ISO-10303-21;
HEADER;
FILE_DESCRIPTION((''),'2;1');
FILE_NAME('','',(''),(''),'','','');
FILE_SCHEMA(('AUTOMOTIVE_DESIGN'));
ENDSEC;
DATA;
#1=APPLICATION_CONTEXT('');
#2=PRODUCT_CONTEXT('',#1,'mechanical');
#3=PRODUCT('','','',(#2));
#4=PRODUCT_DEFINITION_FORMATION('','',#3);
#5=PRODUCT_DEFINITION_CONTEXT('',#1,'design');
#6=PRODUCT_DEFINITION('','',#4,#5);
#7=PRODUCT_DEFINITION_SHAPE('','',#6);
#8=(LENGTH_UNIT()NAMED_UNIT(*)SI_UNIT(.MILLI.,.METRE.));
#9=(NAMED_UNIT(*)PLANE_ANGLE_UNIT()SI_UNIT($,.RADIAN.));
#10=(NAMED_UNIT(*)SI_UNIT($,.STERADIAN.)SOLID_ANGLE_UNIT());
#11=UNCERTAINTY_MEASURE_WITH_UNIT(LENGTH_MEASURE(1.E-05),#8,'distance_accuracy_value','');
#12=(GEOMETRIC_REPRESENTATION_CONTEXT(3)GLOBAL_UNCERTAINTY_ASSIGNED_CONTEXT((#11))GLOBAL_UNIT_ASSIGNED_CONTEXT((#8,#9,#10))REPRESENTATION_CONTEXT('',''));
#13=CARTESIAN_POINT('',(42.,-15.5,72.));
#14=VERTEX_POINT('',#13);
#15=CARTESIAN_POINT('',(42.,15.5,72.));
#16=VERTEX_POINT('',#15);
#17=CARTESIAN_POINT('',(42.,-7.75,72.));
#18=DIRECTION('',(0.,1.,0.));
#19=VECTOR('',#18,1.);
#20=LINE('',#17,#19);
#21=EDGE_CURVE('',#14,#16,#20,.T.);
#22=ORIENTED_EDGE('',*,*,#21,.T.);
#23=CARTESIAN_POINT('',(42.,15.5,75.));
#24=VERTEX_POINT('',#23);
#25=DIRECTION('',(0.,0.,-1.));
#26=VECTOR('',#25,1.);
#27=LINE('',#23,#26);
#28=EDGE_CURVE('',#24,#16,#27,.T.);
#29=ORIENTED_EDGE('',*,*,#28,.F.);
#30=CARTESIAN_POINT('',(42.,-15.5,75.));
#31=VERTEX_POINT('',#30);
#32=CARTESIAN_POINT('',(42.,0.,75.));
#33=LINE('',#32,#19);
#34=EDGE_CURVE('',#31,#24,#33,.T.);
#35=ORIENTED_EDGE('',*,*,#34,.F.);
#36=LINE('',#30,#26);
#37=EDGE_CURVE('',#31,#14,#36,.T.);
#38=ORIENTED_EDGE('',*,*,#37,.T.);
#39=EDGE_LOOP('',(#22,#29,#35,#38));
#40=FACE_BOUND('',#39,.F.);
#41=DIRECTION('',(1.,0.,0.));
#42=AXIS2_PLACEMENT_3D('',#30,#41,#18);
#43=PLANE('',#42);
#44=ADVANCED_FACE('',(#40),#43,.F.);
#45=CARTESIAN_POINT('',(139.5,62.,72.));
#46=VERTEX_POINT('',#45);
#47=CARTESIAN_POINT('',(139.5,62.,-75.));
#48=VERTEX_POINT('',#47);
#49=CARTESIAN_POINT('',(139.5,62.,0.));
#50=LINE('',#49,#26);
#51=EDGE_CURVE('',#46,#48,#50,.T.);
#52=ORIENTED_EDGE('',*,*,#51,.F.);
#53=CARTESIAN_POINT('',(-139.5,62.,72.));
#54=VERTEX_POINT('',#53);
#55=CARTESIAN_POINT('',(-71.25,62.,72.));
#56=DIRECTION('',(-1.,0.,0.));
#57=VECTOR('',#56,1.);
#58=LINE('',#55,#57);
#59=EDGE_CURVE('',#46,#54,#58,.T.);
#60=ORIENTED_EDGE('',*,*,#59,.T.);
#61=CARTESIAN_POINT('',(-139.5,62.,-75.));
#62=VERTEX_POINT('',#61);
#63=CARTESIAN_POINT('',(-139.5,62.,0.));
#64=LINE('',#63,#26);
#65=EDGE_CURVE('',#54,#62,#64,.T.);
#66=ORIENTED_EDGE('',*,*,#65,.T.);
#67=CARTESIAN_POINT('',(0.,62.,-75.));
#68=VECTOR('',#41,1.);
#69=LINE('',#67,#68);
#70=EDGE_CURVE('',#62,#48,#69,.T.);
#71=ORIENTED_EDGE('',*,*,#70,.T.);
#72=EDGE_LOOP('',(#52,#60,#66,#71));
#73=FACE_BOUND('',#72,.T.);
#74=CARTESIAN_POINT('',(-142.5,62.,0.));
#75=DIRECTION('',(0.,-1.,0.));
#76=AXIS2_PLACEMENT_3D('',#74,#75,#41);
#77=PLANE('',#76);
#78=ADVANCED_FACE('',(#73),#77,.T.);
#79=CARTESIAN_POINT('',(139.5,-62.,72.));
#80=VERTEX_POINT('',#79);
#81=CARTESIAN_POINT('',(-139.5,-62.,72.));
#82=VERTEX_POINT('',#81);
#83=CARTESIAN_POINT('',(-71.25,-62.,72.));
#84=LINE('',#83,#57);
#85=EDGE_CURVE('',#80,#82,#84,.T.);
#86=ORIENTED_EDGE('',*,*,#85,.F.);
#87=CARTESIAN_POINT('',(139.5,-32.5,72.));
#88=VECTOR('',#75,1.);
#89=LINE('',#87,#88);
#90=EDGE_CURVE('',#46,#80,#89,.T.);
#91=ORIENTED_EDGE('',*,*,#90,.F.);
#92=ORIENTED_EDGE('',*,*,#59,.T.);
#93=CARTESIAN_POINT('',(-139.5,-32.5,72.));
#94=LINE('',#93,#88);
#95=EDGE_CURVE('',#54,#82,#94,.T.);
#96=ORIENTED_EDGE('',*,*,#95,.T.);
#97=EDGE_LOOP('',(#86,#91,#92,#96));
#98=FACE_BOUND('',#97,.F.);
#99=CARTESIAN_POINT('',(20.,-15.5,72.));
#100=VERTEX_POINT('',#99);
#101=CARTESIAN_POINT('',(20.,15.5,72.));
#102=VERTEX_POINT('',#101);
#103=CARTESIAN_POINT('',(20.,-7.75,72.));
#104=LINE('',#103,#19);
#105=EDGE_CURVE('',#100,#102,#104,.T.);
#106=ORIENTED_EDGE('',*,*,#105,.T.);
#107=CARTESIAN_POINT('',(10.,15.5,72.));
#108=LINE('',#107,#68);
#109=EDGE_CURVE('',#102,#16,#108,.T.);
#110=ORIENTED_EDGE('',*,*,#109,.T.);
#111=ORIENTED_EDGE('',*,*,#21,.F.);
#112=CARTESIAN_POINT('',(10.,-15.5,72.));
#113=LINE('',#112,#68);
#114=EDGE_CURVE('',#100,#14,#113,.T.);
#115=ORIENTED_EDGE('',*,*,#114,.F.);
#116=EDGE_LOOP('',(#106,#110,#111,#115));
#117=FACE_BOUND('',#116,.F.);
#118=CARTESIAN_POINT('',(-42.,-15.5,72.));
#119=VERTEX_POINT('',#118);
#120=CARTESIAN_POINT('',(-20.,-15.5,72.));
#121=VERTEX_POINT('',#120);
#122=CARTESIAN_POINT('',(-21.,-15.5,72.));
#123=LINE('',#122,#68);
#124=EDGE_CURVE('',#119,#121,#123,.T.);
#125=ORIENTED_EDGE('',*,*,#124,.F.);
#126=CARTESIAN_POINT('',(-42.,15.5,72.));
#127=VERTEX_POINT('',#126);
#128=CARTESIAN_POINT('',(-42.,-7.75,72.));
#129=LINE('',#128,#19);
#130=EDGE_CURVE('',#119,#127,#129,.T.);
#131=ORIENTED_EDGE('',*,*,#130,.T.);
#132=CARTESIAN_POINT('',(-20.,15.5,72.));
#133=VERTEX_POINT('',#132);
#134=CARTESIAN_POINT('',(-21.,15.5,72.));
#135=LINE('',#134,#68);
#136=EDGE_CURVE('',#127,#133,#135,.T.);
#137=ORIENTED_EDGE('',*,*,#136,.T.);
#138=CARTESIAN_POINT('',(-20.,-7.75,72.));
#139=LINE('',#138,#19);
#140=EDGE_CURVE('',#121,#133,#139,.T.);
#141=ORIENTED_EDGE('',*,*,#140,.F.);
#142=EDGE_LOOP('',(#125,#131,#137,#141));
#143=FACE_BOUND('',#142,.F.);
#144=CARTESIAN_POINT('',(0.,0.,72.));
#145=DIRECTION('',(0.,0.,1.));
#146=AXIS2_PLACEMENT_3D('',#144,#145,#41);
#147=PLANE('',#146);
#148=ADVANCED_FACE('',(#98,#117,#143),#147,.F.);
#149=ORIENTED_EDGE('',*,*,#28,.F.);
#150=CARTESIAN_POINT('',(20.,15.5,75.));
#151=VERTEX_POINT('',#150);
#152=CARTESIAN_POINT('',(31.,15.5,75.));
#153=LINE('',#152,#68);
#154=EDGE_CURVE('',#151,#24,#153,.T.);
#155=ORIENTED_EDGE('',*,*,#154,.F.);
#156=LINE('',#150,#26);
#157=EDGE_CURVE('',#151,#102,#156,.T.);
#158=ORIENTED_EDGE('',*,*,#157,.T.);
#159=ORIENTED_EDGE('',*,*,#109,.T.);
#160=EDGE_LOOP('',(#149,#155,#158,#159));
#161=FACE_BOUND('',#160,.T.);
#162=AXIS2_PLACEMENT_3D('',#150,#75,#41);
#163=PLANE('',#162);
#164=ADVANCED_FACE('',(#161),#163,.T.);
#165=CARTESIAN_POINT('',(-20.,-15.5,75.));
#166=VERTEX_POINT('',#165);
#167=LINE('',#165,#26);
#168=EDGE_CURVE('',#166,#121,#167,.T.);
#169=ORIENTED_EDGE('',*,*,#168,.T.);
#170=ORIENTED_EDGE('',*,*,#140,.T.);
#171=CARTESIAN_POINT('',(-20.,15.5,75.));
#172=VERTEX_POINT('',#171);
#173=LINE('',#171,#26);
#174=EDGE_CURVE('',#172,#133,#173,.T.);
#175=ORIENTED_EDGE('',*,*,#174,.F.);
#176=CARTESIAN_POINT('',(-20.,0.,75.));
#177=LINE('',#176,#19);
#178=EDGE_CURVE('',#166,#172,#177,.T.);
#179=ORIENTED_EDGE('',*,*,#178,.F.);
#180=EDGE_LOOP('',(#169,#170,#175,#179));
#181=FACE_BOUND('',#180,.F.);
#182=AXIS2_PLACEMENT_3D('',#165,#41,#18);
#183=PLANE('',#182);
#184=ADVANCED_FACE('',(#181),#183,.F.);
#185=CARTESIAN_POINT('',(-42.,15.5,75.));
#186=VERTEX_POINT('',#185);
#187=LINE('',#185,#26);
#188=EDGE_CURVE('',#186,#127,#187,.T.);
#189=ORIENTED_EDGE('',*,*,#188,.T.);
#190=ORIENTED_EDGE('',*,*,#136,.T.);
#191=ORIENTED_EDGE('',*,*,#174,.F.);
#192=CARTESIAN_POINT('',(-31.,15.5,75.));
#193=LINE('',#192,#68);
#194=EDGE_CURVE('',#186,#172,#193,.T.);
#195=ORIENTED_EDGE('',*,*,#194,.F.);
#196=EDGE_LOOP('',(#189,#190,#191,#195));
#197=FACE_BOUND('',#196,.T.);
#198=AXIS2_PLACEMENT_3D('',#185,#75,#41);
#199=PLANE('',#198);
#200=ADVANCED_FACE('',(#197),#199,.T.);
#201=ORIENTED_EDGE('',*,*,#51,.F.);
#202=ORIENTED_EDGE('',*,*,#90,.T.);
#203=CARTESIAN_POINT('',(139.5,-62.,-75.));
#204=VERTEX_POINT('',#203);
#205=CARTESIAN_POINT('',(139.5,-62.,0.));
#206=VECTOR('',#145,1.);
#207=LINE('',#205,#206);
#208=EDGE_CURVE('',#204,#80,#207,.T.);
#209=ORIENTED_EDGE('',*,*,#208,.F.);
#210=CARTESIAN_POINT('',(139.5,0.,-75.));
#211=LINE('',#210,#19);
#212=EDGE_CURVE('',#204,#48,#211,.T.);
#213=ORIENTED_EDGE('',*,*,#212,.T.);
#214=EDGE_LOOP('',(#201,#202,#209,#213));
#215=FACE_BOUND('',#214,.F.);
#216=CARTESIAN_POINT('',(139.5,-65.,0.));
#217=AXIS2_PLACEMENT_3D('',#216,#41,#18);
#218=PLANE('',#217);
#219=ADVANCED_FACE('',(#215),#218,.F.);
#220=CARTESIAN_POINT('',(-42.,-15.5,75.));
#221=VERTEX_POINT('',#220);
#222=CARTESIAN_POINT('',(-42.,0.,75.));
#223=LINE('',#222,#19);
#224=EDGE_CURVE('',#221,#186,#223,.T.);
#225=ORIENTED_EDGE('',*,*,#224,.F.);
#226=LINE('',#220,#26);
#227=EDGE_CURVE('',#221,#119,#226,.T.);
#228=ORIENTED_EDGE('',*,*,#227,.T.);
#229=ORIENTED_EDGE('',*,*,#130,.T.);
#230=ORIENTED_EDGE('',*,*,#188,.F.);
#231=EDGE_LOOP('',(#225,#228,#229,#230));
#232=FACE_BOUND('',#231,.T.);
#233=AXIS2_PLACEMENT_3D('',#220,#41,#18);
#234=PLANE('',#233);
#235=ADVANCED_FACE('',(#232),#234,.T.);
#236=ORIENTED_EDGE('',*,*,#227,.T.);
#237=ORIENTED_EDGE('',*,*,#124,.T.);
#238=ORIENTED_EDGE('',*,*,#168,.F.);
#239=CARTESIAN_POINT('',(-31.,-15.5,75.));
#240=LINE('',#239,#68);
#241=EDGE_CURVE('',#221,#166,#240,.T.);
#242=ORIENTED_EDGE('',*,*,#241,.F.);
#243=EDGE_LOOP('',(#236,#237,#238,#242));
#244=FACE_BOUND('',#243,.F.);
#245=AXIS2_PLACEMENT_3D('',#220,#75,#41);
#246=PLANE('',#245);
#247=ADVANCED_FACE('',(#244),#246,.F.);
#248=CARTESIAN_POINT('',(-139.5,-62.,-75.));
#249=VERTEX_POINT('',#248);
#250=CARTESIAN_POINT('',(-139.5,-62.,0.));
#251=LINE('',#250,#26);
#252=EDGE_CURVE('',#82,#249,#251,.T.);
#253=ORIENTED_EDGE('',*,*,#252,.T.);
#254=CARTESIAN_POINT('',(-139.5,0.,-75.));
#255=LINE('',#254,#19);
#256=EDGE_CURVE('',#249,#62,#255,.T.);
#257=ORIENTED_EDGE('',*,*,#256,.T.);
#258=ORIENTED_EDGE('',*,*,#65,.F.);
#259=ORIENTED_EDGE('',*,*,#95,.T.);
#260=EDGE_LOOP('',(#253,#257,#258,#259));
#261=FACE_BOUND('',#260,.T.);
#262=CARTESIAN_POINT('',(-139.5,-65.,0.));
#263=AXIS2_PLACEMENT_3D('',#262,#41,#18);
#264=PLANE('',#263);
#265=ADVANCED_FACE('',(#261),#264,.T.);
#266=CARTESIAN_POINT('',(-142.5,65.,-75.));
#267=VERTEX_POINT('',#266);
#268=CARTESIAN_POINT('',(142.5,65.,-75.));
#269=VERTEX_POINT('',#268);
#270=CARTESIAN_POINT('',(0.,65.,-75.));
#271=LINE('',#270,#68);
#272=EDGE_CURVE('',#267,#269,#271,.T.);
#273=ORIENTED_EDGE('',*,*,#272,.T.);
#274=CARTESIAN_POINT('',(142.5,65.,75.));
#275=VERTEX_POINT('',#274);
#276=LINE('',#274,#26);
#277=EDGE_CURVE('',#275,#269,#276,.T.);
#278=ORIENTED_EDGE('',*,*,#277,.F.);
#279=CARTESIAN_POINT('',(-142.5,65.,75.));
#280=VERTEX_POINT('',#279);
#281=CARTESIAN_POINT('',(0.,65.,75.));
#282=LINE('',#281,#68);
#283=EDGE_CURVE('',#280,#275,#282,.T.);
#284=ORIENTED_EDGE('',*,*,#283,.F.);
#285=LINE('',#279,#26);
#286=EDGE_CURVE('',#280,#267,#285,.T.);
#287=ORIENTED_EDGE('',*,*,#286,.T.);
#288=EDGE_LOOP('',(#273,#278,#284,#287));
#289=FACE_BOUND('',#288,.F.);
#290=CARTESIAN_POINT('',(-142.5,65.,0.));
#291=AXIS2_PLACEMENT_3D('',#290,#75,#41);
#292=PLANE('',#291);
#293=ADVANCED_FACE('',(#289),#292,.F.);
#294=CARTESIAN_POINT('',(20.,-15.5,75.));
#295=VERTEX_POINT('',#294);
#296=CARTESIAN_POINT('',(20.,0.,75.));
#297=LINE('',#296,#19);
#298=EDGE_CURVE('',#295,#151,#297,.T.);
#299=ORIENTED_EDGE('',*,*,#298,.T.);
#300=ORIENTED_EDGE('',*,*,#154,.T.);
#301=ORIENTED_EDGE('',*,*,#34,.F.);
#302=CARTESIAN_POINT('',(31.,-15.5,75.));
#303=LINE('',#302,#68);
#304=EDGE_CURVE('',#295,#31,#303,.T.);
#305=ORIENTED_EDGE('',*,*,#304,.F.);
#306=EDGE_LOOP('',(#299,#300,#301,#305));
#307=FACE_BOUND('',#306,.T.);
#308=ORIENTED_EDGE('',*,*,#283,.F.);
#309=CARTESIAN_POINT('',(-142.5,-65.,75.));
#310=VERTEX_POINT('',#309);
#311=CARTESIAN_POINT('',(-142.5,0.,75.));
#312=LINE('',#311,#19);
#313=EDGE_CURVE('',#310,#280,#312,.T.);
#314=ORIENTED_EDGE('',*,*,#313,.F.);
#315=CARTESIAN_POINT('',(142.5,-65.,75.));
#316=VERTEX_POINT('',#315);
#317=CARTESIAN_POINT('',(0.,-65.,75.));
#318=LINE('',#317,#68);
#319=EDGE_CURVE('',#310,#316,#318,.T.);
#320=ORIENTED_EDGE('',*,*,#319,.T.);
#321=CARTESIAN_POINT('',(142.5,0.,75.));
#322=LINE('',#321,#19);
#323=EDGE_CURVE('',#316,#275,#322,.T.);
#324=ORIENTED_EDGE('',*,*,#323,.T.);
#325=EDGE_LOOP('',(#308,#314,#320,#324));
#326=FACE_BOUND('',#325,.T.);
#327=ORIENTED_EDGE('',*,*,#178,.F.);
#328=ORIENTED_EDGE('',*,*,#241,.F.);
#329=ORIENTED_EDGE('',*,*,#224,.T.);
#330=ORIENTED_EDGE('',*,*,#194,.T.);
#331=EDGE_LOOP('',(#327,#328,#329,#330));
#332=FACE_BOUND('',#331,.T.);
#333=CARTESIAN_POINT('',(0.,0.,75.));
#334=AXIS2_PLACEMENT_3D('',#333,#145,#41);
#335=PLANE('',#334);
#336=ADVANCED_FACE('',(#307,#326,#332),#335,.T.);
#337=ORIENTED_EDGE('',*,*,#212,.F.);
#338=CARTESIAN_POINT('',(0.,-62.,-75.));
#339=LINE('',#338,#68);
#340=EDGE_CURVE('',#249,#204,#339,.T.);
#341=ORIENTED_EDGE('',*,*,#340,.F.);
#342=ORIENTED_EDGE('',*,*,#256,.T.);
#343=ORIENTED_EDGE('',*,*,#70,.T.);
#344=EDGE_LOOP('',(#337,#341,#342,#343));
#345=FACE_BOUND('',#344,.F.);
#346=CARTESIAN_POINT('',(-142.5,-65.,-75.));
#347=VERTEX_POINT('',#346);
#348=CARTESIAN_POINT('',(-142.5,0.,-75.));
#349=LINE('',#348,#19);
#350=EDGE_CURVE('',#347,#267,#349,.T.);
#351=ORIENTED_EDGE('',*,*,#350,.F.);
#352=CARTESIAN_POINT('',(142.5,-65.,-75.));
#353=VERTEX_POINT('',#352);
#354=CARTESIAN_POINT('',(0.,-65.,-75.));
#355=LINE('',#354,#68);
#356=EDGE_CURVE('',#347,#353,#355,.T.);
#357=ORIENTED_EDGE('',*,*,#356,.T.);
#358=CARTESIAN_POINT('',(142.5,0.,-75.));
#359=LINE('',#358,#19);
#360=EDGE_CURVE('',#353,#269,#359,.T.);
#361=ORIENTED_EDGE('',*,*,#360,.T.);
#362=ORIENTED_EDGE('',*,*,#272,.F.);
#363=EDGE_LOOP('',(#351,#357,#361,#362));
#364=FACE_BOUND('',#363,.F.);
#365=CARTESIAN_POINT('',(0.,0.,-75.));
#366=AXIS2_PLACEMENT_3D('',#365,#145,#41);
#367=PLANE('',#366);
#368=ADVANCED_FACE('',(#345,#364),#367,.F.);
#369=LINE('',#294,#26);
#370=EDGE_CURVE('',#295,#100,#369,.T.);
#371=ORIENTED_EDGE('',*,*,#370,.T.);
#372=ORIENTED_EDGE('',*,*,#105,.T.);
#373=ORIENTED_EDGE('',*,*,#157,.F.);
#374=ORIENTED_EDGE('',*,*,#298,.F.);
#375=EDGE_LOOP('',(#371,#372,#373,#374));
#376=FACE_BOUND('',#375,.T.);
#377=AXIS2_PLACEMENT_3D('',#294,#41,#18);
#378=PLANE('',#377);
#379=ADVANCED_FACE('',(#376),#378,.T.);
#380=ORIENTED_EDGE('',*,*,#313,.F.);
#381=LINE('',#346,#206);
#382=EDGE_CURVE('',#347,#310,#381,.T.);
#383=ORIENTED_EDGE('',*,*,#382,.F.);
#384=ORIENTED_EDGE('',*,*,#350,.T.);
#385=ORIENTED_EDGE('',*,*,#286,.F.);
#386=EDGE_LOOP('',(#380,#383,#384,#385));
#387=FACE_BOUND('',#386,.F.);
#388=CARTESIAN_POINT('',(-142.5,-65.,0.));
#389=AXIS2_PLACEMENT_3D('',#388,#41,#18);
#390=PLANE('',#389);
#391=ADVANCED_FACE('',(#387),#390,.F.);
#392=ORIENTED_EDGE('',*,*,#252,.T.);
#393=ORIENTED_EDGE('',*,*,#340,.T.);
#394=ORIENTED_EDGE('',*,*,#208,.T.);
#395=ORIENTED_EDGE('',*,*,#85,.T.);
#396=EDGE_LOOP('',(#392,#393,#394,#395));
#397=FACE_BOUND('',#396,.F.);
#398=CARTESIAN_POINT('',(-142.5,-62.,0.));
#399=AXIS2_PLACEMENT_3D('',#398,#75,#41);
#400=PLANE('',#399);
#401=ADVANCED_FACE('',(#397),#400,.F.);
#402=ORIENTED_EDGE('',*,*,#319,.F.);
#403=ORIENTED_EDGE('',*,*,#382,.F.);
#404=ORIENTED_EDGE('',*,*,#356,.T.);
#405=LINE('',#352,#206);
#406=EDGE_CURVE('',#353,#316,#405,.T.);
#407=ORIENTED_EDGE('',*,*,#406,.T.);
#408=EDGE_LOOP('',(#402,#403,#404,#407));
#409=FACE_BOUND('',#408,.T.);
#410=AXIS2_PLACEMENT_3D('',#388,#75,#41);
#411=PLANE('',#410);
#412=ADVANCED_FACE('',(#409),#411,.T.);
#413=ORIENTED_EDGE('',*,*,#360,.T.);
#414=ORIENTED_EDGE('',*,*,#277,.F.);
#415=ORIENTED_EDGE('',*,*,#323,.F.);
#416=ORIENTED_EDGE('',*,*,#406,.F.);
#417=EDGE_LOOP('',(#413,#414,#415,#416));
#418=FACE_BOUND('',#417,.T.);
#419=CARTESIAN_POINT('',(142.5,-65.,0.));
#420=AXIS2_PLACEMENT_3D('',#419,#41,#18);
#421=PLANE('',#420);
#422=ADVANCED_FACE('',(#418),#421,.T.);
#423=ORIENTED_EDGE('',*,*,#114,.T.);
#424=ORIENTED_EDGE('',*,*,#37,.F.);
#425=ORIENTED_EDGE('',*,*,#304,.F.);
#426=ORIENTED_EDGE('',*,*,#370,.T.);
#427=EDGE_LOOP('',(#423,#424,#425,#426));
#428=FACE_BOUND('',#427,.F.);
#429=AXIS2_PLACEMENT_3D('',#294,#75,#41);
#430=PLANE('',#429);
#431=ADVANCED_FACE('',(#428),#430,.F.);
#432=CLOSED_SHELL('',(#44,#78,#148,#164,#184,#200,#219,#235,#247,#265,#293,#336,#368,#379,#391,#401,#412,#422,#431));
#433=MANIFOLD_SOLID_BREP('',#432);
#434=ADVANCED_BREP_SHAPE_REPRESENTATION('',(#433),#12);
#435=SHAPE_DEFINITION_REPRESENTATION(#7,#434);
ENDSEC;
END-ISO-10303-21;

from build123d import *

# Parameters (mm, degrees)
SKETCH_W     = 285
SKETCH_H     = 130
PAD_DEPTH    = 75
THICKNESS_T  = -3
SKETCH001_W  = 22
SKETCH001_H  = 31
POCKET_DEPTH = 5


with BuildPart() as part:
    # Sketch → Pad (new body, symmetric)
    with BuildSketch(Plane.XY):
        Rectangle(SKETCH_W, SKETCH_H)
    extrude(amount=PAD_DEPTH, both=True)

    # Thickness
    thickness_openings = [part.faces().sort_by_distance(p)[0] for p in [
        (0, 0, -75),
    ]]
    offset(amount=THICKNESS_T, openings=thickness_openings)

    # Sketch001 (on Face5 of Thickness) → Pocket (cut)
    with BuildSketch(Plane.XY.offset(75)):
        with Locations((31, 0)):
            Rectangle(SKETCH001_W, SKETCH001_H)
        with Locations((-31, 0)):
            Rectangle(SKETCH001_W, SKETCH001_H)
    extrude(amount=-POCKET_DEPTH, mode=Mode.SUBTRACT)


solid = part.part
